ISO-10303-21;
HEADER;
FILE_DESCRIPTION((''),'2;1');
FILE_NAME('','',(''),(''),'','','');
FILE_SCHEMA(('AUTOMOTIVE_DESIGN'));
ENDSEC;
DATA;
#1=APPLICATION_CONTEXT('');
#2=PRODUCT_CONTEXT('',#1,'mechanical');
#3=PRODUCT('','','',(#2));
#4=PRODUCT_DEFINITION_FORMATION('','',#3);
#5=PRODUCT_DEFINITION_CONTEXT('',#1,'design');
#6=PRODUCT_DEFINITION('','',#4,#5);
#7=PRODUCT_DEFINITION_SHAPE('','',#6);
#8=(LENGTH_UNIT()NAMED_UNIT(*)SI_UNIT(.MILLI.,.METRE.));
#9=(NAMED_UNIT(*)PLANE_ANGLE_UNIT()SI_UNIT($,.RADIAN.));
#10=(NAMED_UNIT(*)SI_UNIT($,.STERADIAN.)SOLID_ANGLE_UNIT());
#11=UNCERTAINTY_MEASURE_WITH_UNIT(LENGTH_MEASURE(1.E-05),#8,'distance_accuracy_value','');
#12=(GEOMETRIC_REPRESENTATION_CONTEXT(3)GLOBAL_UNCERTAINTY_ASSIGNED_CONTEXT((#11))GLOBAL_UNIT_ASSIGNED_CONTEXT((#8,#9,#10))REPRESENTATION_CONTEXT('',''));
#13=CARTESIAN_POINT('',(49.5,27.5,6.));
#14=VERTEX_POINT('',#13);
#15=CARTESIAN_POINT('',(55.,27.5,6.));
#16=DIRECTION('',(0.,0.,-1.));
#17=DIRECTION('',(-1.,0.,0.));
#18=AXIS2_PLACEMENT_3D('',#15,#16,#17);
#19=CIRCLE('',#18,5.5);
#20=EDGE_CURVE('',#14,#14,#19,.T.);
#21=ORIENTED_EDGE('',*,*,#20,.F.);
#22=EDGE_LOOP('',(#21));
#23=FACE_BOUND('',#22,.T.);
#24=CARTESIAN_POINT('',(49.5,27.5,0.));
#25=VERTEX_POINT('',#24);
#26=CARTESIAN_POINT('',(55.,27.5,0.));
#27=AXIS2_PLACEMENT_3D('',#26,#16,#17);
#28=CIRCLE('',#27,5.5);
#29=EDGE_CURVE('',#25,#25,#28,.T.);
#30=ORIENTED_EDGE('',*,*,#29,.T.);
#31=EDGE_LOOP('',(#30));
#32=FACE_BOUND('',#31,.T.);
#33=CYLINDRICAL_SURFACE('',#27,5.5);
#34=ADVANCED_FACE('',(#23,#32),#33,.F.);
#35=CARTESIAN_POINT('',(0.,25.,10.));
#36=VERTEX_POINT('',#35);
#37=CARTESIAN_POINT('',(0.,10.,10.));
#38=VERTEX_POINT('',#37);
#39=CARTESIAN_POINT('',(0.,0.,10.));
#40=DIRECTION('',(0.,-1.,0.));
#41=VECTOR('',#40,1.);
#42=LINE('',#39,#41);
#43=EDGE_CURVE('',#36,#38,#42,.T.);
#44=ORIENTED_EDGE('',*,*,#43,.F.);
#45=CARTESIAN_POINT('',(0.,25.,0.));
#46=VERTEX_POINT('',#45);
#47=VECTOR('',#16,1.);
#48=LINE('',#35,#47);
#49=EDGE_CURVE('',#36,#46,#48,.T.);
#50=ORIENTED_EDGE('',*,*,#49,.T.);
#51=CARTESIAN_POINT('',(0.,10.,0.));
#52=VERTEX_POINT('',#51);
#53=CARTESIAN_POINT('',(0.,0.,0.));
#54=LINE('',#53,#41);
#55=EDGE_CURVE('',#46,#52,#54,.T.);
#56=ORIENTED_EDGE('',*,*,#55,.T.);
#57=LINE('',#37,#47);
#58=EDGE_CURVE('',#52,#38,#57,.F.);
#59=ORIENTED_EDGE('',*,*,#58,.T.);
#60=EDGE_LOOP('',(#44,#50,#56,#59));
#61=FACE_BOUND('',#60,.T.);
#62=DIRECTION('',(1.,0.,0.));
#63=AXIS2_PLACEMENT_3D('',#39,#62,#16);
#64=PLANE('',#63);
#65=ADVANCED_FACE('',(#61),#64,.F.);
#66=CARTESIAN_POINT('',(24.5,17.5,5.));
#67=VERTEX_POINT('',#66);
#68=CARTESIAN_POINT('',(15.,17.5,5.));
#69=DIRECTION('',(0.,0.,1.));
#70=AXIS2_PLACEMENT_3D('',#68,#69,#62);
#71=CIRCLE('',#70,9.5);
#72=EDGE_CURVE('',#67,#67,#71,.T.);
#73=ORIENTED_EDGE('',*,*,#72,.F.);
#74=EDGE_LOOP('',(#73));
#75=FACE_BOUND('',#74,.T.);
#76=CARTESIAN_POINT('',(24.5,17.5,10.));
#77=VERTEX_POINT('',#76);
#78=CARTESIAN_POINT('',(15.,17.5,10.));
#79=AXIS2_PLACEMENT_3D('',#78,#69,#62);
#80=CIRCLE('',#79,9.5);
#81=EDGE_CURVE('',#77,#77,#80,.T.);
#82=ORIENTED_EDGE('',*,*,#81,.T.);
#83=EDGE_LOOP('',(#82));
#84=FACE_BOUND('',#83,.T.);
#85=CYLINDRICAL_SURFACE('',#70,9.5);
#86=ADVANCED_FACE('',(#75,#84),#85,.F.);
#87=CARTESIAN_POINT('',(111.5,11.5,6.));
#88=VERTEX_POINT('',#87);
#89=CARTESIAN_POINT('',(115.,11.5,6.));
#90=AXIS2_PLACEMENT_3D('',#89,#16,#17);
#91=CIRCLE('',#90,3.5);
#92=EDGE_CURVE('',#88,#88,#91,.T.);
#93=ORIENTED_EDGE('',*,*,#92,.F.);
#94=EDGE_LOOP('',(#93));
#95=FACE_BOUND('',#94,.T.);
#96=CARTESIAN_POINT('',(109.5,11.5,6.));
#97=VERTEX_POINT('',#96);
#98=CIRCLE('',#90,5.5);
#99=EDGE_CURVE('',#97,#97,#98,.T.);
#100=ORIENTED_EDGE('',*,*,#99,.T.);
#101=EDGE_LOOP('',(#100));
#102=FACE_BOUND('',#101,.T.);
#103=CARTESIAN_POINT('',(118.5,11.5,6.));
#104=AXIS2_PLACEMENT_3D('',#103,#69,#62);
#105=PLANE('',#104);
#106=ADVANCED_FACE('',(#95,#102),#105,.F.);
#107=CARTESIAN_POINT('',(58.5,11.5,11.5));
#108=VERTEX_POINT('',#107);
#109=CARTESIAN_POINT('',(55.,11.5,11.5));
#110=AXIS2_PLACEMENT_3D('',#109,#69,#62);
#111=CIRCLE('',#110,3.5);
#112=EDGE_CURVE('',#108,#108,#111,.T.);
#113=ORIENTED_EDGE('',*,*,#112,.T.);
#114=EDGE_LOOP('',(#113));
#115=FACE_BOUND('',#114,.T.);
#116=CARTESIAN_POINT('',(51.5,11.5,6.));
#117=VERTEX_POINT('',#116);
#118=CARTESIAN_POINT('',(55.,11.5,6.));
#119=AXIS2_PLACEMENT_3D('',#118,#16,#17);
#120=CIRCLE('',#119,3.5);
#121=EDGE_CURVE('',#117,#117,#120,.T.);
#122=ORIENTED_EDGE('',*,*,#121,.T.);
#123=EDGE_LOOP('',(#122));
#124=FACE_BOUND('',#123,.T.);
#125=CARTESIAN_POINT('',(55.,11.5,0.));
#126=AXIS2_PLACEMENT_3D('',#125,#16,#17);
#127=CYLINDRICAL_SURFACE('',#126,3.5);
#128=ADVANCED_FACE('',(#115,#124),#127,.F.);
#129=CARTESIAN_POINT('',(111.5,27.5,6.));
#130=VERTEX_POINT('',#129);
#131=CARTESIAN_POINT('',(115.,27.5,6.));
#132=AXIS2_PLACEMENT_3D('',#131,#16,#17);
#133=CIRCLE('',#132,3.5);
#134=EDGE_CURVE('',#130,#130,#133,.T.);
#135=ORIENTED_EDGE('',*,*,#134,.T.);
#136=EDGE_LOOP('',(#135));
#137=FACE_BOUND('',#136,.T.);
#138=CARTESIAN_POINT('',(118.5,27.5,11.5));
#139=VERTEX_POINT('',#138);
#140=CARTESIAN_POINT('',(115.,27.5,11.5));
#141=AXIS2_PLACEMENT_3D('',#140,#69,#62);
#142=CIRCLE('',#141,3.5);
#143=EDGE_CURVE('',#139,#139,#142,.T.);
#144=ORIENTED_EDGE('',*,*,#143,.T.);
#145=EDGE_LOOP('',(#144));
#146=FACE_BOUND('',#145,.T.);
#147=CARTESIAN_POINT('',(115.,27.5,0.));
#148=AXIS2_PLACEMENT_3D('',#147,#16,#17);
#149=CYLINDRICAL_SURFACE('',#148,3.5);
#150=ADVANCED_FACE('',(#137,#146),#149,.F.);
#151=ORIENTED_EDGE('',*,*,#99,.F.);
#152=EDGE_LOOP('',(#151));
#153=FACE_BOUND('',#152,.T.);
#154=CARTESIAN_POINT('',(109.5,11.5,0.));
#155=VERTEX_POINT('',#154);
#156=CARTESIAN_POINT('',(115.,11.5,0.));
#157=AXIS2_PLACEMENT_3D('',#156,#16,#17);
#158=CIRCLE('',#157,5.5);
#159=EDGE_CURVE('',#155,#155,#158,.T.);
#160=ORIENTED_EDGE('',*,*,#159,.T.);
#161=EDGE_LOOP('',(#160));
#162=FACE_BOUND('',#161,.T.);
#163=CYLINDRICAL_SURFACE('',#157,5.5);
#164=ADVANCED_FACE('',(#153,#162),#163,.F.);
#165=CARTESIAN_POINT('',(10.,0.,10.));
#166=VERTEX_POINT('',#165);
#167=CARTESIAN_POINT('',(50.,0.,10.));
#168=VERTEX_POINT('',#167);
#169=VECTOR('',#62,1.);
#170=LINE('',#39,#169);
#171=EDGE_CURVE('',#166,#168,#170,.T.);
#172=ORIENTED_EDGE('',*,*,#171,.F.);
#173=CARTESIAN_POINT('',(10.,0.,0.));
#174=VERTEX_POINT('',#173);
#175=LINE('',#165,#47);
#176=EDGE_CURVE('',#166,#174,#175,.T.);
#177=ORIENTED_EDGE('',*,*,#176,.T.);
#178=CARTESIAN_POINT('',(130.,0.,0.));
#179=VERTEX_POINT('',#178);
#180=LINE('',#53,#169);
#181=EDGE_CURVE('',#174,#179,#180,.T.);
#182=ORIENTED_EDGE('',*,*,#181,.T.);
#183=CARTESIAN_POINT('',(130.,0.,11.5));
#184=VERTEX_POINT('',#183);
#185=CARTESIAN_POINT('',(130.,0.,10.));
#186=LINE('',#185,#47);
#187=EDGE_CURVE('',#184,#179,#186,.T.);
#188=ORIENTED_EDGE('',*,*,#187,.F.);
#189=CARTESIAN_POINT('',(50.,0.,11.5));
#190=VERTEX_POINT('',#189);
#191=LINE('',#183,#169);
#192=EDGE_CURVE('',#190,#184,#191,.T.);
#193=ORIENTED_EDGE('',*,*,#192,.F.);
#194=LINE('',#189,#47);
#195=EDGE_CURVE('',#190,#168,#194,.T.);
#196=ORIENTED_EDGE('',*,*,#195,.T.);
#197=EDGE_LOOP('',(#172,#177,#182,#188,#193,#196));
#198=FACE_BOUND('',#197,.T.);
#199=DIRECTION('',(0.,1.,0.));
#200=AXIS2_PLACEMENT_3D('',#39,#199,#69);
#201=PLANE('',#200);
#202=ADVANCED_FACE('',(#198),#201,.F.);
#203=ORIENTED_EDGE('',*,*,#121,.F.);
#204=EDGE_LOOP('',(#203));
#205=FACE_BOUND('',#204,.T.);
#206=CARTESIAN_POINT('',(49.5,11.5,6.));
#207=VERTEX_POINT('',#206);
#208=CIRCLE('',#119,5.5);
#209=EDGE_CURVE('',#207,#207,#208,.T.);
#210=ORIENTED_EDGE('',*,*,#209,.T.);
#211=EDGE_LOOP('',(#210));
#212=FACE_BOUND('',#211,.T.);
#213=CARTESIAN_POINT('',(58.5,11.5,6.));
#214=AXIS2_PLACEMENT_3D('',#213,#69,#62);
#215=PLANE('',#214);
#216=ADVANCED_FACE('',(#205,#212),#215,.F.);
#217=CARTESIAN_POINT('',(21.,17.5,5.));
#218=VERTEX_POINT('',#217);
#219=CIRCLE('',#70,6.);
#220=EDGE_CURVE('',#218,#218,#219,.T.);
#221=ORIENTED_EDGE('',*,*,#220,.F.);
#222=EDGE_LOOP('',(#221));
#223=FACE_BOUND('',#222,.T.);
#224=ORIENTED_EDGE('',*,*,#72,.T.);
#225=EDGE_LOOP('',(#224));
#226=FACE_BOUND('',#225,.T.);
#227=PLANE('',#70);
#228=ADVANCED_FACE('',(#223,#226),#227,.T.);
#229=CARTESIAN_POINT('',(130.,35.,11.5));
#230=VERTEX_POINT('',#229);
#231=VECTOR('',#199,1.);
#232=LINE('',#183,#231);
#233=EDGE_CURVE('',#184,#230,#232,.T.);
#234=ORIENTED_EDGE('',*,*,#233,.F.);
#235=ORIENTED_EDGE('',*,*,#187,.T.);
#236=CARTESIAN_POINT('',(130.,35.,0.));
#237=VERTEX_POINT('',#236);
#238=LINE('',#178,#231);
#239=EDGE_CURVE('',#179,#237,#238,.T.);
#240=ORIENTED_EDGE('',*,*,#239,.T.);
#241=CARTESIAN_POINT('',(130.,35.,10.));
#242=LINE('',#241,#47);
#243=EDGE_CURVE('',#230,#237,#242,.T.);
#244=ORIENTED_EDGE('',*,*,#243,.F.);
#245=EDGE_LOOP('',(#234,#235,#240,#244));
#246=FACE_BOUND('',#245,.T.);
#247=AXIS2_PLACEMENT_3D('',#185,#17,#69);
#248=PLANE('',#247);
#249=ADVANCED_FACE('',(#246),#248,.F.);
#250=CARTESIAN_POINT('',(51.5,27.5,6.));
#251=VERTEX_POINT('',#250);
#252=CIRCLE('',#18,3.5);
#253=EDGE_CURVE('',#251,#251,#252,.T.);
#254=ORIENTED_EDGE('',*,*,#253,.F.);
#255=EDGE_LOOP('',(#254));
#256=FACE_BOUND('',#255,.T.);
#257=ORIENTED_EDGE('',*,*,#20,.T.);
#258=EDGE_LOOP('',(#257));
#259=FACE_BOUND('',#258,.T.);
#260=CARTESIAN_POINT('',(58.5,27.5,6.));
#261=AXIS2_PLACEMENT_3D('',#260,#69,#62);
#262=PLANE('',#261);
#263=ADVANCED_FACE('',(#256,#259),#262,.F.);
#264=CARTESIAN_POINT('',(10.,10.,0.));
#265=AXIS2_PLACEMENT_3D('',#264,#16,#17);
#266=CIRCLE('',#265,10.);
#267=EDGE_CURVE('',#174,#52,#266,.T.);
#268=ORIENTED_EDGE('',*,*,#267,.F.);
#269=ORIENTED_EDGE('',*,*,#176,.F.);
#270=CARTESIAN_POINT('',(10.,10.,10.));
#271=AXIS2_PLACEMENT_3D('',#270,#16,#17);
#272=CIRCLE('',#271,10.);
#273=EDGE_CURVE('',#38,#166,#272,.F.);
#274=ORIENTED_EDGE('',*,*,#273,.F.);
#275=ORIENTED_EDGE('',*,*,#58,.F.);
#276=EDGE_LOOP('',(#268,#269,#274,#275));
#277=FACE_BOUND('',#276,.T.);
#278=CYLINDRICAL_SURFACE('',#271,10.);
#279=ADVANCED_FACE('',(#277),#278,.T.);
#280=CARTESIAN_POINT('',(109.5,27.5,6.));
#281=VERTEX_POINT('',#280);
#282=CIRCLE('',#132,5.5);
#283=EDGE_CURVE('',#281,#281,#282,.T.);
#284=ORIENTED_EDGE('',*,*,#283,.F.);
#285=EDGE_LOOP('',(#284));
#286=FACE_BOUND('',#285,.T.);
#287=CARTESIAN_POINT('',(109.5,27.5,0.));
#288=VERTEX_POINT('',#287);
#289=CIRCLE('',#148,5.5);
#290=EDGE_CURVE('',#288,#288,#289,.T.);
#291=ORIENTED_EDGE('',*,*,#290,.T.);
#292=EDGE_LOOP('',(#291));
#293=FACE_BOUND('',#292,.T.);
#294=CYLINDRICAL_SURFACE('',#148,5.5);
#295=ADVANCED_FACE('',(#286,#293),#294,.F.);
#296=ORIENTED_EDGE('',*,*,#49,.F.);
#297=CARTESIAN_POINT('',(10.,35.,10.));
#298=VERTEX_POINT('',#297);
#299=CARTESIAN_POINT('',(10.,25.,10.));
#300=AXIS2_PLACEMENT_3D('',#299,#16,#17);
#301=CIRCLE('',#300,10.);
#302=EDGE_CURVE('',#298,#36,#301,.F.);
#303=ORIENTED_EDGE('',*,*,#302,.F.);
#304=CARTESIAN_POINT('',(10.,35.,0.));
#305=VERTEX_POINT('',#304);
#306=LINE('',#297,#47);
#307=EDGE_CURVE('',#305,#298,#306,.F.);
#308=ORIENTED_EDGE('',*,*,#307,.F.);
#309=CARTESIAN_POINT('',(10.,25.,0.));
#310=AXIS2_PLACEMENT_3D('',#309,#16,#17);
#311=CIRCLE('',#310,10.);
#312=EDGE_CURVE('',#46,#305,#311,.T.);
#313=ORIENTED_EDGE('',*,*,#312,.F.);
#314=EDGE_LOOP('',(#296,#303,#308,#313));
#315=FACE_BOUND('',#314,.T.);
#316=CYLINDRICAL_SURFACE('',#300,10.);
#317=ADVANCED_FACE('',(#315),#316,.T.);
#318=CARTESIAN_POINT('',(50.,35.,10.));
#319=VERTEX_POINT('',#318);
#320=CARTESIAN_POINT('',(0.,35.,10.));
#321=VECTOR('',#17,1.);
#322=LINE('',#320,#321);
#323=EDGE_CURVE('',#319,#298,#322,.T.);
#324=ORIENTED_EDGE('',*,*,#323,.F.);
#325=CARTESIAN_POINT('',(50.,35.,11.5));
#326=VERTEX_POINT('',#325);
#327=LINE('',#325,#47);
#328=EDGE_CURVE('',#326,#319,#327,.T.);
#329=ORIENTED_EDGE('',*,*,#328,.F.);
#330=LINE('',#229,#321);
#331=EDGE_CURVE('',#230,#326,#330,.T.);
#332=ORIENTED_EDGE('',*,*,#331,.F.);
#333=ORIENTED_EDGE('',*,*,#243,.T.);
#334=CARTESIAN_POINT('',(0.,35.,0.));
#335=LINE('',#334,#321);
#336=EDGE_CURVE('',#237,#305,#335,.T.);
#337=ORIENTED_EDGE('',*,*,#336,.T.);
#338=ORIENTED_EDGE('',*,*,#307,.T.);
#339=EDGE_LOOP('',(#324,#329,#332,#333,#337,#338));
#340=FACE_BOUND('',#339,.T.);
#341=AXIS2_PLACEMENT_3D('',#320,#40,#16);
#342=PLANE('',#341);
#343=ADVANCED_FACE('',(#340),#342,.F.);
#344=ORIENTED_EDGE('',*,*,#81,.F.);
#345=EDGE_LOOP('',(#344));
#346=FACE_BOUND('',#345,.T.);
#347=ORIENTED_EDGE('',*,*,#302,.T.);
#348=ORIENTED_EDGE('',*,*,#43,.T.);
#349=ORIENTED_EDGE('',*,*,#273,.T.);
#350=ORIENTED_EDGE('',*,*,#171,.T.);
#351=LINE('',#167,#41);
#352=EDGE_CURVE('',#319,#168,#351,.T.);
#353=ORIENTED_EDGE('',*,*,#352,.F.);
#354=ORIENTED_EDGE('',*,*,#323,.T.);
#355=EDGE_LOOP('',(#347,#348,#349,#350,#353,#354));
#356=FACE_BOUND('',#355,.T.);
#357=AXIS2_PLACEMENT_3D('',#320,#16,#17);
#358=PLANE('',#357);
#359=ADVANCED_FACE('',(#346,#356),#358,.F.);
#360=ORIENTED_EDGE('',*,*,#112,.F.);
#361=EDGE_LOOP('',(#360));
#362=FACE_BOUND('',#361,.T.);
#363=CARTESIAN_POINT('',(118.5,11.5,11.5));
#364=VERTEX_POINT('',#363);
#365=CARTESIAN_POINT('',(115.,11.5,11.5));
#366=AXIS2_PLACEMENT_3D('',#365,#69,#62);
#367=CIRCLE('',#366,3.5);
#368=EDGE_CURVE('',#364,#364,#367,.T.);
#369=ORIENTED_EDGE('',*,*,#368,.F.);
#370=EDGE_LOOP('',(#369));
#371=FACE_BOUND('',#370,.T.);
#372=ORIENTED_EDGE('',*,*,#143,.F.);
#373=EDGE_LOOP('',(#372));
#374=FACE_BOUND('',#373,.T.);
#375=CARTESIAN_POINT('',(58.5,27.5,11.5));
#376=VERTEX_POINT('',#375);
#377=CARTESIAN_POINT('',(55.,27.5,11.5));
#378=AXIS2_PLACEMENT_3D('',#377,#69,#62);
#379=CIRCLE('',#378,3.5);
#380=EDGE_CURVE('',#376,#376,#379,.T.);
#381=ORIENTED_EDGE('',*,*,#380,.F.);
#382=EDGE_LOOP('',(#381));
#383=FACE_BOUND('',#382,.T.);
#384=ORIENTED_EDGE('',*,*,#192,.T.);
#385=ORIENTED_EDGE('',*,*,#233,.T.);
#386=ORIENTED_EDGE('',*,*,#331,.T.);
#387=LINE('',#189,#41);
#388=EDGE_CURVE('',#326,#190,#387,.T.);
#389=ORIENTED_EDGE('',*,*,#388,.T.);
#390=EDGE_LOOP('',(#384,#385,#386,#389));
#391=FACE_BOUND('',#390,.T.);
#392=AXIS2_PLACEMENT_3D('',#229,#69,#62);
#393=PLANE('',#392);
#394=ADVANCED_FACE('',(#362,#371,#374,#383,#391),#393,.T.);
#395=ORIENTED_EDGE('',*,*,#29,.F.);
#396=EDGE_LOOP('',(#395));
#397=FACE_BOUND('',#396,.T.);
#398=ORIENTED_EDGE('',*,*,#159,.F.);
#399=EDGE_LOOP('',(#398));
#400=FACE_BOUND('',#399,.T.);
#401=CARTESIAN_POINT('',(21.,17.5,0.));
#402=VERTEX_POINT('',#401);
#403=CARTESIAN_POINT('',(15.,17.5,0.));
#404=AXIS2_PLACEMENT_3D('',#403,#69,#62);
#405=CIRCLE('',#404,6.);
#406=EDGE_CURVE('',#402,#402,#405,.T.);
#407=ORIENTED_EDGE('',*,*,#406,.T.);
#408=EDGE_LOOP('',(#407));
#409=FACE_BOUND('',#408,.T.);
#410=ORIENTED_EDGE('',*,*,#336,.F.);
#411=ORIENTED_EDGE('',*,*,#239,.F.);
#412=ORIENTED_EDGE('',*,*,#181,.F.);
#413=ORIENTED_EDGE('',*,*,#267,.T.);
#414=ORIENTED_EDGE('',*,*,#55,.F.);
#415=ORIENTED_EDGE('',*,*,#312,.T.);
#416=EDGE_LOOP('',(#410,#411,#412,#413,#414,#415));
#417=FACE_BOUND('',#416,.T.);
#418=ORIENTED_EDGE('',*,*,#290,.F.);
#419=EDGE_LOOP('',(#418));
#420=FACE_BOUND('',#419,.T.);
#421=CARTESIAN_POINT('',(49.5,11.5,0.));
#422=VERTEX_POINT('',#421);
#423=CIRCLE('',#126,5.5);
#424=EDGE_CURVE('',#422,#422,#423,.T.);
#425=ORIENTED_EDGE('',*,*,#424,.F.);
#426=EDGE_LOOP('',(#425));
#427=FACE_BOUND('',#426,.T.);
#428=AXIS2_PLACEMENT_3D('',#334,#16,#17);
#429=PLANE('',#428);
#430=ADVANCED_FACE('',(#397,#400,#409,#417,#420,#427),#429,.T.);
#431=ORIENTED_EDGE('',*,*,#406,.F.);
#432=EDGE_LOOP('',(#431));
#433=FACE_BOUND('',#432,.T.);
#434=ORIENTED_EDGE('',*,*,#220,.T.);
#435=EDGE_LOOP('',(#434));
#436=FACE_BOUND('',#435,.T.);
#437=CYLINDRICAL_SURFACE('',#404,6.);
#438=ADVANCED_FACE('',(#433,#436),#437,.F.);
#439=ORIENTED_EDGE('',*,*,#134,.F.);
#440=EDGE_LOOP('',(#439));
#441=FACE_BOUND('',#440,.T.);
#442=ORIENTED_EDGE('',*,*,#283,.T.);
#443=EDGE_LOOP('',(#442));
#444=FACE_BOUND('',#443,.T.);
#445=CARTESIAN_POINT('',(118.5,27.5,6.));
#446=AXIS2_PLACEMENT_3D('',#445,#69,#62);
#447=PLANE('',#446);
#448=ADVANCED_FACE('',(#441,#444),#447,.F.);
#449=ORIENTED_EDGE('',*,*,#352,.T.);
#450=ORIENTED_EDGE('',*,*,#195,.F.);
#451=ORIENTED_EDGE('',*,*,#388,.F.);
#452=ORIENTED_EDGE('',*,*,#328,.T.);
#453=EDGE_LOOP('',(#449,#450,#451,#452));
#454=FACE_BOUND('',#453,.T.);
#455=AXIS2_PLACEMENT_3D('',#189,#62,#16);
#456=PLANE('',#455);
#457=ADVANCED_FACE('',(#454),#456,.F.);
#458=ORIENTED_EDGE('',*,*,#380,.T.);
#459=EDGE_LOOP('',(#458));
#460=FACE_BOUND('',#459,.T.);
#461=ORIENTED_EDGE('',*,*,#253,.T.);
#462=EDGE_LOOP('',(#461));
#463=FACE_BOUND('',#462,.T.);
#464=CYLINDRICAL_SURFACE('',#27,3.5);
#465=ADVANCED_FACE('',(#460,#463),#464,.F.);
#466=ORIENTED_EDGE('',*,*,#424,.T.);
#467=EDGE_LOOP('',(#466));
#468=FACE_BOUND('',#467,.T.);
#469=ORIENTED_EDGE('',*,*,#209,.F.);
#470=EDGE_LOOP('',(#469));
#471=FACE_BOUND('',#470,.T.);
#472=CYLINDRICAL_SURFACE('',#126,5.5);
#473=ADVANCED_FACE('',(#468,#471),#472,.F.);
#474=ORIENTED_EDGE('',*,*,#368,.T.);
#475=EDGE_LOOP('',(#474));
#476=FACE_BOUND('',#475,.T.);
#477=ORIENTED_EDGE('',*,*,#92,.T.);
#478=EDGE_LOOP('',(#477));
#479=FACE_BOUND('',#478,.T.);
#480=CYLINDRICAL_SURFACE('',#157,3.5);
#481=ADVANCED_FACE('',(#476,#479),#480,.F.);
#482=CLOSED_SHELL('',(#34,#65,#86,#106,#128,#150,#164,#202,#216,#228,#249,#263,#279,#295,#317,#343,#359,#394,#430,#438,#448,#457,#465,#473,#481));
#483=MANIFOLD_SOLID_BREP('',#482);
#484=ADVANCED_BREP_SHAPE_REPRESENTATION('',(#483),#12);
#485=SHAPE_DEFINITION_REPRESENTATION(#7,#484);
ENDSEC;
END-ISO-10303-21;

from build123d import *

# Parameters (mm, degrees)
SKETCH_1_W                   = 130
SKETCH_1_H                   = 35
EXTRUDE_1_DEPTH              = 10
SKETCH_2_R                   = 9.5
CUT_EXTRUDE_1_DEPTH          = 5
SKETCH_3_R                   = 6
CUT_EXTRUDE_2_DEPTH          = 135.721935853
FILLET_1_R                   = 10
SKETCH_4_W                   = 80
SKETCH_4_H                   = 35
EXTRUDE_2_DEPTH              = 1.5
HOLE_WIZARD_M6_1_D           = 7
HOLE_WIZARD_M6_1_CBORE_D     = 11
HOLE_WIZARD_M6_1_CBORE_DEPTH = 6


with BuildPart() as part:
    # 草图1 → 凸台-拉伸1 (new body)
    with BuildSketch(Plane.XY):
        with Locations((65, 17.5)):
            Rectangle(SKETCH_1_W, SKETCH_1_H)
    extrude(amount=EXTRUDE_1_DEPTH)

    # 草图2 → 切除-拉伸1 (cut)
    with BuildSketch(Plane.XY.offset(10)):
        with Locations((15, 17.5)):
            Circle(SKETCH_2_R)
    extrude(amount=-CUT_EXTRUDE_1_DEPTH, mode=Mode.SUBTRACT)

    # 草图3 → 切除-拉伸2 (cut, through all)
    with BuildSketch(Plane.XY.offset(5)):
        with Locations((15, 17.5)):
            Circle(SKETCH_3_R)
    extrude(amount=-CUT_EXTRUDE_2_DEPTH, mode=Mode.SUBTRACT)

    # 圆角1
    fillet_1_edges = [part.edges().sort_by_distance(p)[0] for p in [
        (0, 35, 5),
        (0, 0, 5),
    ]]
    fillet(fillet_1_edges, radius=FILLET_1_R)

    # 草图4 → 凸台-拉伸2 (add)
    with BuildSketch(Plane.XY.offset(10)):
        with Locations((90, 17.5)):
            Rectangle(SKETCH_4_W, SKETCH_4_H)
    extrude(amount=EXTRUDE_2_DEPTH)

    # M6 六角凹头螺钉的柱形沉头孔1 (through all)
    with Locations(Plane(origin=(0, 0, 0), x_dir=(-1, 0, 0), z_dir=(0, 0, -1))):
        with Locations((-115, 11.5), (-115, 27.5), (-55, 27.5), (-55, 11.5)):
            CounterBoreHole(HOLE_WIZARD_M6_1_D / 2, HOLE_WIZARD_M6_1_CBORE_D / 2, HOLE_WIZARD_M6_1_CBORE_DEPTH)


solid = part.part
